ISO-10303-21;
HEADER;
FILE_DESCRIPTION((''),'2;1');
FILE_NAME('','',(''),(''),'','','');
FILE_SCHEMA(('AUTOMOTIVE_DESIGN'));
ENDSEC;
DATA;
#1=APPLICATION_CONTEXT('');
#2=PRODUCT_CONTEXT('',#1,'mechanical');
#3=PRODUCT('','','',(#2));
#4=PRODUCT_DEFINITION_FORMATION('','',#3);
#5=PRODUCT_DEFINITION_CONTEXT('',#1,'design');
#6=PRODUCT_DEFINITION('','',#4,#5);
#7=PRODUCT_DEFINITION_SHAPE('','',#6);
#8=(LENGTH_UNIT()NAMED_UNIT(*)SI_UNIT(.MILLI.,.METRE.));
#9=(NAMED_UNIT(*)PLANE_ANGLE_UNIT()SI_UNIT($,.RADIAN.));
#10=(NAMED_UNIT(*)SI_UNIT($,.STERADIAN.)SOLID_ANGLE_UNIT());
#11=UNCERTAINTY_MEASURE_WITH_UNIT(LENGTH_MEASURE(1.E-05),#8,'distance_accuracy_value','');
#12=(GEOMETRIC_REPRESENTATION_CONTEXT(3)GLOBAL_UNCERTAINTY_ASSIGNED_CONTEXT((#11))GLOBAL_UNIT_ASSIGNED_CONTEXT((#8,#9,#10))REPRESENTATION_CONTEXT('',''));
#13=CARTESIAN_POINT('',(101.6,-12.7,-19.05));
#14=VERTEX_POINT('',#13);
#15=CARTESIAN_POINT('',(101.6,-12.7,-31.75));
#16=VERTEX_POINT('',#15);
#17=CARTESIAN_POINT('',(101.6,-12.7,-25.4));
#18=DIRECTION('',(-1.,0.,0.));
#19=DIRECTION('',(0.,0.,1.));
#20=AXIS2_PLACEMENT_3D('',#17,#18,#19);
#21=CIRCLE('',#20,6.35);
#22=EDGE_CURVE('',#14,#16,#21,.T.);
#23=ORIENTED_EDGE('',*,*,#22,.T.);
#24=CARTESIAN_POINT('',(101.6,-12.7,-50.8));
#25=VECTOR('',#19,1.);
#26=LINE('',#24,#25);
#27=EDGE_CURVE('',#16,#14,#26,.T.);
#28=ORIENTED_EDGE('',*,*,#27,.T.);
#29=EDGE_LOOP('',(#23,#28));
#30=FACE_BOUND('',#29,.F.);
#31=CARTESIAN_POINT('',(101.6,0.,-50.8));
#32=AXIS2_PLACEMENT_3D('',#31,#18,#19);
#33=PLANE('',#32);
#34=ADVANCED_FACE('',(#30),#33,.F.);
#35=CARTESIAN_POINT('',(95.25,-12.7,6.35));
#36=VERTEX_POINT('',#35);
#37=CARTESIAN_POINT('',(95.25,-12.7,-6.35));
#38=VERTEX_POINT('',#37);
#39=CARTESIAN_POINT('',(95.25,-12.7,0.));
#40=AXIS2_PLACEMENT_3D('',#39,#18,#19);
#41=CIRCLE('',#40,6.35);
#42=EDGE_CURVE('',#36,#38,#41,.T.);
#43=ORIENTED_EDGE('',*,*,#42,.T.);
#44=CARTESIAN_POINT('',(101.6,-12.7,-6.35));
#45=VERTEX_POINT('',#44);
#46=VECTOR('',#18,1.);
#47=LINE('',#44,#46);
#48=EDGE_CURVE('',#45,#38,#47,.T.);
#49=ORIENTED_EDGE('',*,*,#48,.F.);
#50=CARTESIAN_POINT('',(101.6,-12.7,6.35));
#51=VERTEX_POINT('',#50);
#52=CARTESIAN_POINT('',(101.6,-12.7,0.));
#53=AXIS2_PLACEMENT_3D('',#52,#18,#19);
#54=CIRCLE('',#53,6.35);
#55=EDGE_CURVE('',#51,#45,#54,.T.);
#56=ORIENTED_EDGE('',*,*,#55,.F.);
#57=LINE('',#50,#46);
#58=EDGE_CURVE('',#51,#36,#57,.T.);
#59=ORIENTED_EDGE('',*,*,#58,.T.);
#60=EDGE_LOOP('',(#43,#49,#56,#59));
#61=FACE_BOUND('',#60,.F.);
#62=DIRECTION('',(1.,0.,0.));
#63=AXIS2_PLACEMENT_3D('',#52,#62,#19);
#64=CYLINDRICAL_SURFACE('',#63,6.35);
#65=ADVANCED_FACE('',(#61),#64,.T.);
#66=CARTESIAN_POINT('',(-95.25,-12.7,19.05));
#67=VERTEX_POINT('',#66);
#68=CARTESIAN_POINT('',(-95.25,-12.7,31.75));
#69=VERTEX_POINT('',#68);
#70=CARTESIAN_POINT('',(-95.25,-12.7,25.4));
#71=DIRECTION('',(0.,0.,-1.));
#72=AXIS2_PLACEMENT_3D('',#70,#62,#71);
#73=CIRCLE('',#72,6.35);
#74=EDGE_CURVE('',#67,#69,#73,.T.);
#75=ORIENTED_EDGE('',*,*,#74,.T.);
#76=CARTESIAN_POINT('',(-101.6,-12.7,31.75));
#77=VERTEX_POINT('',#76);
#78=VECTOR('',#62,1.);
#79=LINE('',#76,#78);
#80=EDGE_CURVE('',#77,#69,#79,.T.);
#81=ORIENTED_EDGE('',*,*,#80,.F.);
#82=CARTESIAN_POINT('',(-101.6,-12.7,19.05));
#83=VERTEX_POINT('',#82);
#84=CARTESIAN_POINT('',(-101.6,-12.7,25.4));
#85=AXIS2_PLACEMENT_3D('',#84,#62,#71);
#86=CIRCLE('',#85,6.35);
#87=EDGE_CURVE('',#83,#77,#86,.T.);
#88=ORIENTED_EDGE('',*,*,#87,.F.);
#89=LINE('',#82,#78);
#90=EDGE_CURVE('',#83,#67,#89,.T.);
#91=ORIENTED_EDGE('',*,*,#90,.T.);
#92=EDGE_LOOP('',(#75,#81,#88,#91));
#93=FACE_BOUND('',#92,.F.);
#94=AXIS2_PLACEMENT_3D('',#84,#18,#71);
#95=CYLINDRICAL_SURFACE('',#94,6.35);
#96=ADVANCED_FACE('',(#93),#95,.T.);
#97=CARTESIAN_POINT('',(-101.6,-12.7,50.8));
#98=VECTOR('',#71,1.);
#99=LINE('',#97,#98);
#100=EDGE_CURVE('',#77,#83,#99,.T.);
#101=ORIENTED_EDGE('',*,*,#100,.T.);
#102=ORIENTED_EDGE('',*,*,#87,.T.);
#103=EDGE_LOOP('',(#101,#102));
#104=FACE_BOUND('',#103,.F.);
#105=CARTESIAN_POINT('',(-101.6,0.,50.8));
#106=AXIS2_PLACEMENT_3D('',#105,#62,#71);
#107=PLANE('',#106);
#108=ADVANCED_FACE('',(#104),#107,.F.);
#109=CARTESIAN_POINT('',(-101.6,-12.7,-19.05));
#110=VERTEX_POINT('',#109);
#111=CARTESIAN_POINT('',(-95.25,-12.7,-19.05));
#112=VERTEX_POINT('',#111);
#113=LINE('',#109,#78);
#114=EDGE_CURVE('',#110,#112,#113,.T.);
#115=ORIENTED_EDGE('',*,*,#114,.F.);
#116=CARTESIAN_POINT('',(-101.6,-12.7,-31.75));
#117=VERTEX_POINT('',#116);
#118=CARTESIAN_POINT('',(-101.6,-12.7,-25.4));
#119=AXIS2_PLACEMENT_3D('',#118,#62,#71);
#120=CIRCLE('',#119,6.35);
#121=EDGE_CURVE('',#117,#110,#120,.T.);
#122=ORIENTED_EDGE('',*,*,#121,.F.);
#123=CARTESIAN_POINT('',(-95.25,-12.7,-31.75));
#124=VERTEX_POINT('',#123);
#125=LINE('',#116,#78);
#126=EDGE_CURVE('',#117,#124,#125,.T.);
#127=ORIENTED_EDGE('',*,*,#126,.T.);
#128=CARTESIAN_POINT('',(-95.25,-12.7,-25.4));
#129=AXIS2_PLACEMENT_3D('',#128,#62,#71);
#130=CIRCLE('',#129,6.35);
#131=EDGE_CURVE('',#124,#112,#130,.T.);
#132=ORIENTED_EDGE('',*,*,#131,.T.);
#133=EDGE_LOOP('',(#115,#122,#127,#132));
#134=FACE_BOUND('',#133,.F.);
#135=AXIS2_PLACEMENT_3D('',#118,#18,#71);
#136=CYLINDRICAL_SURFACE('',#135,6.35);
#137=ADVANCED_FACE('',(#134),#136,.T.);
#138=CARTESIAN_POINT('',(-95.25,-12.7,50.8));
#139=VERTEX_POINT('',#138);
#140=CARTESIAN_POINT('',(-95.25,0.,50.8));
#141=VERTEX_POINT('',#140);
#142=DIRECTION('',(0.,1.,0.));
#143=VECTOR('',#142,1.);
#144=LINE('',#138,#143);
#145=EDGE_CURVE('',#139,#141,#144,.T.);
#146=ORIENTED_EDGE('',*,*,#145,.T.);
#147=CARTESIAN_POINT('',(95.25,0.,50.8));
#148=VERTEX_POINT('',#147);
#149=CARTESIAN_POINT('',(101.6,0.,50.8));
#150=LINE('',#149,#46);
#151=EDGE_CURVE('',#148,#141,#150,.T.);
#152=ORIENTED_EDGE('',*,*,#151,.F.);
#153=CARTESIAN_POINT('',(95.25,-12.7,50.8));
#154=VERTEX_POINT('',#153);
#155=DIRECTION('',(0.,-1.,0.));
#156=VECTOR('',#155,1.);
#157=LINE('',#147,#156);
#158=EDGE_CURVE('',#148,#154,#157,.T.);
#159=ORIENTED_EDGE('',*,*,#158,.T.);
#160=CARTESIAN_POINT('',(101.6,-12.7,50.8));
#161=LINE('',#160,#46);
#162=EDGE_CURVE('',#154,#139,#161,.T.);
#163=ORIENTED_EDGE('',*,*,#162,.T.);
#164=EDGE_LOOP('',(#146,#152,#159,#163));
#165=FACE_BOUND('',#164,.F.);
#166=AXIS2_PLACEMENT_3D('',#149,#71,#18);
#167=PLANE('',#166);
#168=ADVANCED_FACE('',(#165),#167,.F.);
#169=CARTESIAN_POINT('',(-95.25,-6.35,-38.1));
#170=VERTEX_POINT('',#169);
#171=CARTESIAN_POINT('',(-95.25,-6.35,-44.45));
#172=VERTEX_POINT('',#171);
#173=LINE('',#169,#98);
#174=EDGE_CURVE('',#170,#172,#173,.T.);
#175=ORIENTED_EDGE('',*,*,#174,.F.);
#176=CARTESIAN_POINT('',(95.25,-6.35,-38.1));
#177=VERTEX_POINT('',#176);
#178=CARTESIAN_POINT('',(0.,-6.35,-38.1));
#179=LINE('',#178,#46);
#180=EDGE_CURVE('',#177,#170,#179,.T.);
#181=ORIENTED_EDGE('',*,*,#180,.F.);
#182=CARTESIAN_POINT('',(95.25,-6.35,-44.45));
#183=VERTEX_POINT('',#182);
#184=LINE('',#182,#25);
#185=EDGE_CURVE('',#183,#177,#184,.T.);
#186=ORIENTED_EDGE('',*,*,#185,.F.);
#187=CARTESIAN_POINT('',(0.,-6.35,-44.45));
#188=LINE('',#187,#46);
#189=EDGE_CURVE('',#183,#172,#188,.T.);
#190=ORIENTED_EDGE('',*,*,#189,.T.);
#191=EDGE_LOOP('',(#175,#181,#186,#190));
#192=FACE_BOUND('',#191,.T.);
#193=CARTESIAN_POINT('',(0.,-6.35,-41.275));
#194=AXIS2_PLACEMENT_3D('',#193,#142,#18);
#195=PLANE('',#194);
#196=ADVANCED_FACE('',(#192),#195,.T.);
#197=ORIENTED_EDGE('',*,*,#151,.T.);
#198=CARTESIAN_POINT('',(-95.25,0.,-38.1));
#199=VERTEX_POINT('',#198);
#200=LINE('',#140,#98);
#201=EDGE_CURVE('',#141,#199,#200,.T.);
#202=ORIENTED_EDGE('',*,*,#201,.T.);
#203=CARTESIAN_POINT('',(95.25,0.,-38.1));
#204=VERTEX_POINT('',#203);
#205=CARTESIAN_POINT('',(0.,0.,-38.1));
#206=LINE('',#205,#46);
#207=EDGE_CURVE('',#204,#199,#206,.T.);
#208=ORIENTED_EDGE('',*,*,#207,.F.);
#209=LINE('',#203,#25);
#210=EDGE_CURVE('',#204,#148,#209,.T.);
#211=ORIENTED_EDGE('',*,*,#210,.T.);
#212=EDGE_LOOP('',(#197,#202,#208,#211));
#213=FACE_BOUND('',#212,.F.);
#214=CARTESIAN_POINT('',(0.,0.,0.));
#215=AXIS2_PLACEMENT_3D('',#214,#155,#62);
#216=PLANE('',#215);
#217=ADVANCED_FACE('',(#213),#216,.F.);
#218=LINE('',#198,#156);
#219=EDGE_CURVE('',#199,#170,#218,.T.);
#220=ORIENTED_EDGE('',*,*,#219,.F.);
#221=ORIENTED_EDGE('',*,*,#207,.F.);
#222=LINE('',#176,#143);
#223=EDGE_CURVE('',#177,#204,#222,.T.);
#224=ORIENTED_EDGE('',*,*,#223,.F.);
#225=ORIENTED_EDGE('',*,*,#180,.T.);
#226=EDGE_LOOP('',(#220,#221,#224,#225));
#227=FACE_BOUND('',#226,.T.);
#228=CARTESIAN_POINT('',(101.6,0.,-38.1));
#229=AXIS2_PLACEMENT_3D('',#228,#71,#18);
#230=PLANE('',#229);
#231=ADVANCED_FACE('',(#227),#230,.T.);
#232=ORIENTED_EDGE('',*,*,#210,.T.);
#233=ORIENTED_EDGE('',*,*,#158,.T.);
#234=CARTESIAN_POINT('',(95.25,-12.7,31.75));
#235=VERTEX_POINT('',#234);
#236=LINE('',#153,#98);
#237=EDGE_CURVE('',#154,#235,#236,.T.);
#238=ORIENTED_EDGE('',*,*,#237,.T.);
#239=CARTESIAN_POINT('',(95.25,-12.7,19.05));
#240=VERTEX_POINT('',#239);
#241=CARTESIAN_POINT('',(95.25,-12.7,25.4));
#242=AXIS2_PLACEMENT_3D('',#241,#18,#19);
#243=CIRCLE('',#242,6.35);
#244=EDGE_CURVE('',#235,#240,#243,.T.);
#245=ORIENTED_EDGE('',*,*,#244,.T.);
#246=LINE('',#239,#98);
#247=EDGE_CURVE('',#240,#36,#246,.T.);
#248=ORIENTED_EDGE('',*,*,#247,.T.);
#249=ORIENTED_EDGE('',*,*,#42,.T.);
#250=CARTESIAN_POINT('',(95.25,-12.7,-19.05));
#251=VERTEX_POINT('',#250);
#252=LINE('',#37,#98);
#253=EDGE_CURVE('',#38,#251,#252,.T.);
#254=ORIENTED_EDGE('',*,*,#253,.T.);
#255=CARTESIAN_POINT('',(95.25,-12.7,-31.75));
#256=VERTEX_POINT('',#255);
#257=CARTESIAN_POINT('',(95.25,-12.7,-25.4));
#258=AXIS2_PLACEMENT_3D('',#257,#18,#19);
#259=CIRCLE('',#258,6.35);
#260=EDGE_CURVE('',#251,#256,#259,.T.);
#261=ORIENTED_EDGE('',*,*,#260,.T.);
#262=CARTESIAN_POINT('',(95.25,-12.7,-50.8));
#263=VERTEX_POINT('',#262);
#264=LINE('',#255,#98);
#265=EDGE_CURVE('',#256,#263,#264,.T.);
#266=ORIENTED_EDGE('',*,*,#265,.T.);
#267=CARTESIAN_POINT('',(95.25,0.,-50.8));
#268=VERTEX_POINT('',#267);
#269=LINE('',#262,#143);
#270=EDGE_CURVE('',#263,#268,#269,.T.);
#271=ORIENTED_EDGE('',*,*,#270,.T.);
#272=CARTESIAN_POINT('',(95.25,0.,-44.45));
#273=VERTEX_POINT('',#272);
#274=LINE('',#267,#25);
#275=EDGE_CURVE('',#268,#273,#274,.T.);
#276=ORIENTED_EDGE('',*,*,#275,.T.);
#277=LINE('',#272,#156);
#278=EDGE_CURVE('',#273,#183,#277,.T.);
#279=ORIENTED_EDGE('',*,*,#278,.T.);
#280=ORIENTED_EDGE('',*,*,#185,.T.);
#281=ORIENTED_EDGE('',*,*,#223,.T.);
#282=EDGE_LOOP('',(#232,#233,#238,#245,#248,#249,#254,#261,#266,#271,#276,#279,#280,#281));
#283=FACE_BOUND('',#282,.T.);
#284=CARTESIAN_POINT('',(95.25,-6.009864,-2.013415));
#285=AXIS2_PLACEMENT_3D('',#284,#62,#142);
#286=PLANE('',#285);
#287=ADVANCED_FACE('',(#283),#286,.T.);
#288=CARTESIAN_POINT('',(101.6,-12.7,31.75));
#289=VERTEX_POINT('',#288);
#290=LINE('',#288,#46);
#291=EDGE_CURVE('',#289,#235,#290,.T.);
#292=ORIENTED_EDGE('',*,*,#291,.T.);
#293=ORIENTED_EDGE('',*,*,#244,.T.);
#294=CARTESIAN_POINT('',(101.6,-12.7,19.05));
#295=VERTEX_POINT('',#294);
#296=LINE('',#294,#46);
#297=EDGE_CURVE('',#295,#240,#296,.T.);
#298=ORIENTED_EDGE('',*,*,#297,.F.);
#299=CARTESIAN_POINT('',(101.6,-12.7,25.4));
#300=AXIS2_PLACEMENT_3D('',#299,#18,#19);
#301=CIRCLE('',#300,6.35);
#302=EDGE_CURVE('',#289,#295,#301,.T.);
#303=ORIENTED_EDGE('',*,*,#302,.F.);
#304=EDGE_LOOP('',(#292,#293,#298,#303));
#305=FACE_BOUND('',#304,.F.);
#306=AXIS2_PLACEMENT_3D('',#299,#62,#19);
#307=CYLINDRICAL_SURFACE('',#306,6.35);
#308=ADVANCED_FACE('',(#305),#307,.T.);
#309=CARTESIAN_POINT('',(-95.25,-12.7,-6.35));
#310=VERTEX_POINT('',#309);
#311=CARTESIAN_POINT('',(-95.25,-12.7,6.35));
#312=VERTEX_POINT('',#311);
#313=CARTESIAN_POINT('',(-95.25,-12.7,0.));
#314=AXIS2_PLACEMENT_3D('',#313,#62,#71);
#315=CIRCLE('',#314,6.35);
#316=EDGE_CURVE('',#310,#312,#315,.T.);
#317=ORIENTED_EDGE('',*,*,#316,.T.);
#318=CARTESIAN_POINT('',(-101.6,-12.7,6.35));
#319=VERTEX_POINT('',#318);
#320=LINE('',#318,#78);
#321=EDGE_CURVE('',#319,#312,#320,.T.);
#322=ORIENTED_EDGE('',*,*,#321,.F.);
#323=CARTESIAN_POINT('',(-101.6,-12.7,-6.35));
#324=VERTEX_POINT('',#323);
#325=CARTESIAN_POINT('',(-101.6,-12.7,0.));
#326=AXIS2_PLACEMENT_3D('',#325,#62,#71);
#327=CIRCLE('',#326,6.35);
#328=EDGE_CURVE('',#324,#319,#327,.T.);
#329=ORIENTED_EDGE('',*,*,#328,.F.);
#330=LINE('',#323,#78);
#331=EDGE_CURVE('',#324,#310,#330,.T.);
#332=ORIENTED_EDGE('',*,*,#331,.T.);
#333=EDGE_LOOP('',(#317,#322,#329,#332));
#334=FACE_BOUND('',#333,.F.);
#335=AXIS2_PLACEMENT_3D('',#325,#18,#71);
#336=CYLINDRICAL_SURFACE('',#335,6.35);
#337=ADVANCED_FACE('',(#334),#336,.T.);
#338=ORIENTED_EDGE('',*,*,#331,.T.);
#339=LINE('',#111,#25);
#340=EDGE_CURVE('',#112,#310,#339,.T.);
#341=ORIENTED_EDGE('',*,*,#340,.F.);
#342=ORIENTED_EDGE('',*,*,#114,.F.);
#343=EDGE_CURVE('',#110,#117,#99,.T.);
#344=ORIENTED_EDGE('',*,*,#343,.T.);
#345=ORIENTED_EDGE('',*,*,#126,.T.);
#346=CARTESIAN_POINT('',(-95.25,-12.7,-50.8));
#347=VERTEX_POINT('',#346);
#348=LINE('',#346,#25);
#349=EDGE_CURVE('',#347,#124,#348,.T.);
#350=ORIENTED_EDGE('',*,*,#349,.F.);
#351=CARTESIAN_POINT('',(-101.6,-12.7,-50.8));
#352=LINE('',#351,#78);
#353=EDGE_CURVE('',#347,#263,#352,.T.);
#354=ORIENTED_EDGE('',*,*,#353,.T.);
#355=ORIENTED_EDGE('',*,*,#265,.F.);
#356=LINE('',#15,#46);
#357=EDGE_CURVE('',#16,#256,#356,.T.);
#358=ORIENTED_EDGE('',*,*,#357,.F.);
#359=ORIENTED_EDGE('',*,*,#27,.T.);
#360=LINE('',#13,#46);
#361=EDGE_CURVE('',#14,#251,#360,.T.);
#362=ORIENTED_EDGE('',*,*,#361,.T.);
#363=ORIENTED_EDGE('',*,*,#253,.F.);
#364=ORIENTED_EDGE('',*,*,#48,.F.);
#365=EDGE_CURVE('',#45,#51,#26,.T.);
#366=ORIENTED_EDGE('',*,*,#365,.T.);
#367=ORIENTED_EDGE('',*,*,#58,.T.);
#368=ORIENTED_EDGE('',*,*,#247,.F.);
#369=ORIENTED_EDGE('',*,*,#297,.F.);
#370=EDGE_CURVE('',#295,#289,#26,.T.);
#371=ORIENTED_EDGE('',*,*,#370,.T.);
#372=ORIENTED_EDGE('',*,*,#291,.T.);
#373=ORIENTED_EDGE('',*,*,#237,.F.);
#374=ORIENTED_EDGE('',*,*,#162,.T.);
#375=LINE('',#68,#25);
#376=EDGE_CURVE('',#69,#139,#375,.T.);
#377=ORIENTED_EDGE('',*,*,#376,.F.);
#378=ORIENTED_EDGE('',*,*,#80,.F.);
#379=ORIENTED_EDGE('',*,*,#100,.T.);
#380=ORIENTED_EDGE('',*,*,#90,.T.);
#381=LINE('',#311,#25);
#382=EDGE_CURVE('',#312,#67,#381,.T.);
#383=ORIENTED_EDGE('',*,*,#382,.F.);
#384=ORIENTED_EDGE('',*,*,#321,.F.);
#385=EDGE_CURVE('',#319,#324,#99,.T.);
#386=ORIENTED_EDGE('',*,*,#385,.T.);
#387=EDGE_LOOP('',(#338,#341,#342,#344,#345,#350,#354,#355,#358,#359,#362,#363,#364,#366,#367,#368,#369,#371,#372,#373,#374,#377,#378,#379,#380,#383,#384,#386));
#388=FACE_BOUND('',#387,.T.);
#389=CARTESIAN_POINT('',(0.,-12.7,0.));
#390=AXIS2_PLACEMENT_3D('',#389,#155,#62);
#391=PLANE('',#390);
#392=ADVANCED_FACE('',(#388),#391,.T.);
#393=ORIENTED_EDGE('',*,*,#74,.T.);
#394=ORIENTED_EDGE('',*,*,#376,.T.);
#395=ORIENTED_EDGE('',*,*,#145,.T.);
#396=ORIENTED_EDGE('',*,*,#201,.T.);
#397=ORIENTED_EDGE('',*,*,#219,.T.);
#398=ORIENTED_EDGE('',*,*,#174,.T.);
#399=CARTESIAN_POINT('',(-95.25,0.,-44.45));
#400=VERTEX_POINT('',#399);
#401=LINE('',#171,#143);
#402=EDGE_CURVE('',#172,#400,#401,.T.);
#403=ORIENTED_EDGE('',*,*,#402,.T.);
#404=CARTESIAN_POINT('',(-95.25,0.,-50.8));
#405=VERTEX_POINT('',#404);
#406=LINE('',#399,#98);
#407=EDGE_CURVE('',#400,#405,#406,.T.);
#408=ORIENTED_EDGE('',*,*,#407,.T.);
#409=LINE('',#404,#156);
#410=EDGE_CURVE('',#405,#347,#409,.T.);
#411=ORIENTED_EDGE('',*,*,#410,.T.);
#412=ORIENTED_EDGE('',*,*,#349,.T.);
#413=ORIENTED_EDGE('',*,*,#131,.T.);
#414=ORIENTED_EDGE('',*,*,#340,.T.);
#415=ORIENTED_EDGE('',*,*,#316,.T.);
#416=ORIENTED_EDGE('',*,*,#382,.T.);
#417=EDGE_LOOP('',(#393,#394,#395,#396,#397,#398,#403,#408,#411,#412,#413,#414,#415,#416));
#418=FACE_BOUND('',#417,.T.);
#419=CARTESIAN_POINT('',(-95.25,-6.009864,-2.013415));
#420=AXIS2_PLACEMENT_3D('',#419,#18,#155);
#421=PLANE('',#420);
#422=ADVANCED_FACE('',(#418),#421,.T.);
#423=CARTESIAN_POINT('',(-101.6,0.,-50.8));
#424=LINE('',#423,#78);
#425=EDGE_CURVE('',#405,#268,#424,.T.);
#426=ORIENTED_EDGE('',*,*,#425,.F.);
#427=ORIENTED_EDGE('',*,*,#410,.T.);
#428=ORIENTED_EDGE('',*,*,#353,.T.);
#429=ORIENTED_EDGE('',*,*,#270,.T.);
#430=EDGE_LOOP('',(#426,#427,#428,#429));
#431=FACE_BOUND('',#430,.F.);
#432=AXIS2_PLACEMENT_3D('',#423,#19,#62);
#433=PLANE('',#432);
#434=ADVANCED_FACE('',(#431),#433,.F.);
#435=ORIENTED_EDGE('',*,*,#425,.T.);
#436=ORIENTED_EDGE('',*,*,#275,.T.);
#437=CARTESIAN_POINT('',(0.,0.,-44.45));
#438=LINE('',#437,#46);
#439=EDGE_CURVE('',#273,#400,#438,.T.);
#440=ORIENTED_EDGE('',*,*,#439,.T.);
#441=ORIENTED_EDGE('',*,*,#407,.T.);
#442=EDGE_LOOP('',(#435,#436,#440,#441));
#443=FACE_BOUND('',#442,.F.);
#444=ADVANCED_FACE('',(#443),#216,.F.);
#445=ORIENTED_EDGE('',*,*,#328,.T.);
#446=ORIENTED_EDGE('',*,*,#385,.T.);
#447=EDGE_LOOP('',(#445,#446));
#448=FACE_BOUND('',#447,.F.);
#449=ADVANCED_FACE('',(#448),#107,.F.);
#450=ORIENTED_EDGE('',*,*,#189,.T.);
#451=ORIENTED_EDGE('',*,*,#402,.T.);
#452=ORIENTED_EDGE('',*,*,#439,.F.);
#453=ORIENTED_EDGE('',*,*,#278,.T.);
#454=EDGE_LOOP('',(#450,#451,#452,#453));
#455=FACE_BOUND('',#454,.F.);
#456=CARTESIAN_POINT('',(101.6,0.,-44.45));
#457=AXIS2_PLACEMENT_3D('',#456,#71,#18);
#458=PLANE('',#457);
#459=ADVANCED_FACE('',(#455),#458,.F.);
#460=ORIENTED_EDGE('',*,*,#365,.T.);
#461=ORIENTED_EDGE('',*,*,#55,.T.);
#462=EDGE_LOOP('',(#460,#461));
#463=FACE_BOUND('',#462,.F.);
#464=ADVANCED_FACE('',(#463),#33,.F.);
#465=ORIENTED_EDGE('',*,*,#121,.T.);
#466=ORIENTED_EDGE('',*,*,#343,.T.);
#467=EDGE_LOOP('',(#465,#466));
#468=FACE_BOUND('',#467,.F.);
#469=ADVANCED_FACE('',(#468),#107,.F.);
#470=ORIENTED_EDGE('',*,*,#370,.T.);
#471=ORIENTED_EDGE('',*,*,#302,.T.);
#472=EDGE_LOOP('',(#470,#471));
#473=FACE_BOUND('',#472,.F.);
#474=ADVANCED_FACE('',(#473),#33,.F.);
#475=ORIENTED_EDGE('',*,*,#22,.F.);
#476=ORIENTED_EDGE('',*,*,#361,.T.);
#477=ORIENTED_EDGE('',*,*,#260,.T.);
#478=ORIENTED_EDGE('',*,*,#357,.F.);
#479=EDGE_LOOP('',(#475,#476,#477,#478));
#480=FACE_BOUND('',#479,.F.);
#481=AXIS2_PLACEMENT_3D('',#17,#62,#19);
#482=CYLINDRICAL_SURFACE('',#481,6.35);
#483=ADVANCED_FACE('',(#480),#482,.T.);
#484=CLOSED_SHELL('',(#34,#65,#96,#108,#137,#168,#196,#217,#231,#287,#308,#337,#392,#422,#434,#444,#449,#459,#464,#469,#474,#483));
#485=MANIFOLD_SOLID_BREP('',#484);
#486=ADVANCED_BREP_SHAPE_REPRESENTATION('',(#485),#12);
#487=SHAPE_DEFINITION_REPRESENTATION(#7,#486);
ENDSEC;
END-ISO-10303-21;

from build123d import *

# Parameters (mm, degrees)
F1_DEPTH = 12.7
F2_W     = 203.2
F2_H     = 6.35
F3_DEPTH = 6.35
F5_DEPTH = 6.35
F7_DEPTH = 6.35


with BuildPart() as f1:
    # F0 (on Front) → F1 (new body)
    with BuildSketch(Plane.XZ):
        Polygon((101.6, 50.8), (-101.6, 50.8), (-101.6, -38.1), (-101.6, -44.45), (-101.6, -50.8), (101.6, -50.8), (101.6, -44.45), (101.6, -38.1), align=None)
    extrude(amount=F1_DEPTH)

    # F2 (on face) → F3 (cut)
    with BuildSketch(Plane(origin=(0, 0, 0), x_dir=(-1, 0, 0), z_dir=(0, 1, 0))):
        with Locations((0, -41.275)):
            Rectangle(F2_W, F2_H)
    extrude(amount=-F3_DEPTH, mode=Mode.SUBTRACT)

    # F4 (on face) → F5 (cut)
    with BuildSketch(Plane(origin=(-101.6, 0, 0), x_dir=(0, -1, 0), z_dir=(-1, 0, 0))):
        with BuildLine():
            ThreePointArc((12.7, 19.05), (6.35, 25.4), (12.7, 31.75))
            Line((12.7, 31.75), (12.7, 50.8))
            Line((12.7, 50.8), (0, 50.8))
            Line((0, 50.8), (0, -38.1))
            Line((0, -38.1), (6.35, -38.1))
            Line((6.35, -38.1), (6.35, -44.45))
            Line((6.35, -44.45), (0, -44.45))
            Line((0, -44.45), (0, -50.8))
            Line((0, -50.8), (12.7, -50.8))
            Line((12.7, -50.8), (12.7, -31.75))
            ThreePointArc((12.7, -31.75), (6.35, -25.4), (12.7, -19.05))
            Line((12.7, -19.05), (12.7, -6.35))
            ThreePointArc((12.7, -6.35), (6.35, 0), (12.7, 6.35))
            Line((12.7, 6.35), (12.7, 19.05))
        make_face()
    extrude(amount=-F5_DEPTH, mode=Mode.SUBTRACT)

    # F6 (on face) → F7 (cut)
    with BuildSketch(Plane.YZ.offset(101.6)):
        with BuildLine():
            ThreePointArc((-12.7, 31.75), (-6.35, 25.4), (-12.7, 19.05))
            Line((-12.7, 19.05), (-12.7, 6.35))
            ThreePointArc((-12.7, 6.35), (-6.35, 0), (-12.7, -6.35))
            Line((-12.7, -6.35), (-12.7, -19.05))
            ThreePointArc((-12.7, -19.05), (-6.35, -25.4), (-12.7, -31.75))
            Line((-12.7, -31.75), (-12.7, -50.8))
            Line((-12.7, -50.8), (0, -50.8))
            Line((0, -50.8), (0, -44.45))
            Line((0, -44.45), (-6.35, -44.45))
            Line((-6.35, -44.45), (-6.35, -38.1))
            Line((-6.35, -38.1), (0, -38.1))
            Line((0, -38.1), (0, 50.8))
            Line((0, 50.8), (-12.7, 50.8))
            Line((-12.7, 50.8), (-12.7, 31.75))
        make_face()
    extrude(amount=-F7_DEPTH, mode=Mode.SUBTRACT)


solid = f1.part
